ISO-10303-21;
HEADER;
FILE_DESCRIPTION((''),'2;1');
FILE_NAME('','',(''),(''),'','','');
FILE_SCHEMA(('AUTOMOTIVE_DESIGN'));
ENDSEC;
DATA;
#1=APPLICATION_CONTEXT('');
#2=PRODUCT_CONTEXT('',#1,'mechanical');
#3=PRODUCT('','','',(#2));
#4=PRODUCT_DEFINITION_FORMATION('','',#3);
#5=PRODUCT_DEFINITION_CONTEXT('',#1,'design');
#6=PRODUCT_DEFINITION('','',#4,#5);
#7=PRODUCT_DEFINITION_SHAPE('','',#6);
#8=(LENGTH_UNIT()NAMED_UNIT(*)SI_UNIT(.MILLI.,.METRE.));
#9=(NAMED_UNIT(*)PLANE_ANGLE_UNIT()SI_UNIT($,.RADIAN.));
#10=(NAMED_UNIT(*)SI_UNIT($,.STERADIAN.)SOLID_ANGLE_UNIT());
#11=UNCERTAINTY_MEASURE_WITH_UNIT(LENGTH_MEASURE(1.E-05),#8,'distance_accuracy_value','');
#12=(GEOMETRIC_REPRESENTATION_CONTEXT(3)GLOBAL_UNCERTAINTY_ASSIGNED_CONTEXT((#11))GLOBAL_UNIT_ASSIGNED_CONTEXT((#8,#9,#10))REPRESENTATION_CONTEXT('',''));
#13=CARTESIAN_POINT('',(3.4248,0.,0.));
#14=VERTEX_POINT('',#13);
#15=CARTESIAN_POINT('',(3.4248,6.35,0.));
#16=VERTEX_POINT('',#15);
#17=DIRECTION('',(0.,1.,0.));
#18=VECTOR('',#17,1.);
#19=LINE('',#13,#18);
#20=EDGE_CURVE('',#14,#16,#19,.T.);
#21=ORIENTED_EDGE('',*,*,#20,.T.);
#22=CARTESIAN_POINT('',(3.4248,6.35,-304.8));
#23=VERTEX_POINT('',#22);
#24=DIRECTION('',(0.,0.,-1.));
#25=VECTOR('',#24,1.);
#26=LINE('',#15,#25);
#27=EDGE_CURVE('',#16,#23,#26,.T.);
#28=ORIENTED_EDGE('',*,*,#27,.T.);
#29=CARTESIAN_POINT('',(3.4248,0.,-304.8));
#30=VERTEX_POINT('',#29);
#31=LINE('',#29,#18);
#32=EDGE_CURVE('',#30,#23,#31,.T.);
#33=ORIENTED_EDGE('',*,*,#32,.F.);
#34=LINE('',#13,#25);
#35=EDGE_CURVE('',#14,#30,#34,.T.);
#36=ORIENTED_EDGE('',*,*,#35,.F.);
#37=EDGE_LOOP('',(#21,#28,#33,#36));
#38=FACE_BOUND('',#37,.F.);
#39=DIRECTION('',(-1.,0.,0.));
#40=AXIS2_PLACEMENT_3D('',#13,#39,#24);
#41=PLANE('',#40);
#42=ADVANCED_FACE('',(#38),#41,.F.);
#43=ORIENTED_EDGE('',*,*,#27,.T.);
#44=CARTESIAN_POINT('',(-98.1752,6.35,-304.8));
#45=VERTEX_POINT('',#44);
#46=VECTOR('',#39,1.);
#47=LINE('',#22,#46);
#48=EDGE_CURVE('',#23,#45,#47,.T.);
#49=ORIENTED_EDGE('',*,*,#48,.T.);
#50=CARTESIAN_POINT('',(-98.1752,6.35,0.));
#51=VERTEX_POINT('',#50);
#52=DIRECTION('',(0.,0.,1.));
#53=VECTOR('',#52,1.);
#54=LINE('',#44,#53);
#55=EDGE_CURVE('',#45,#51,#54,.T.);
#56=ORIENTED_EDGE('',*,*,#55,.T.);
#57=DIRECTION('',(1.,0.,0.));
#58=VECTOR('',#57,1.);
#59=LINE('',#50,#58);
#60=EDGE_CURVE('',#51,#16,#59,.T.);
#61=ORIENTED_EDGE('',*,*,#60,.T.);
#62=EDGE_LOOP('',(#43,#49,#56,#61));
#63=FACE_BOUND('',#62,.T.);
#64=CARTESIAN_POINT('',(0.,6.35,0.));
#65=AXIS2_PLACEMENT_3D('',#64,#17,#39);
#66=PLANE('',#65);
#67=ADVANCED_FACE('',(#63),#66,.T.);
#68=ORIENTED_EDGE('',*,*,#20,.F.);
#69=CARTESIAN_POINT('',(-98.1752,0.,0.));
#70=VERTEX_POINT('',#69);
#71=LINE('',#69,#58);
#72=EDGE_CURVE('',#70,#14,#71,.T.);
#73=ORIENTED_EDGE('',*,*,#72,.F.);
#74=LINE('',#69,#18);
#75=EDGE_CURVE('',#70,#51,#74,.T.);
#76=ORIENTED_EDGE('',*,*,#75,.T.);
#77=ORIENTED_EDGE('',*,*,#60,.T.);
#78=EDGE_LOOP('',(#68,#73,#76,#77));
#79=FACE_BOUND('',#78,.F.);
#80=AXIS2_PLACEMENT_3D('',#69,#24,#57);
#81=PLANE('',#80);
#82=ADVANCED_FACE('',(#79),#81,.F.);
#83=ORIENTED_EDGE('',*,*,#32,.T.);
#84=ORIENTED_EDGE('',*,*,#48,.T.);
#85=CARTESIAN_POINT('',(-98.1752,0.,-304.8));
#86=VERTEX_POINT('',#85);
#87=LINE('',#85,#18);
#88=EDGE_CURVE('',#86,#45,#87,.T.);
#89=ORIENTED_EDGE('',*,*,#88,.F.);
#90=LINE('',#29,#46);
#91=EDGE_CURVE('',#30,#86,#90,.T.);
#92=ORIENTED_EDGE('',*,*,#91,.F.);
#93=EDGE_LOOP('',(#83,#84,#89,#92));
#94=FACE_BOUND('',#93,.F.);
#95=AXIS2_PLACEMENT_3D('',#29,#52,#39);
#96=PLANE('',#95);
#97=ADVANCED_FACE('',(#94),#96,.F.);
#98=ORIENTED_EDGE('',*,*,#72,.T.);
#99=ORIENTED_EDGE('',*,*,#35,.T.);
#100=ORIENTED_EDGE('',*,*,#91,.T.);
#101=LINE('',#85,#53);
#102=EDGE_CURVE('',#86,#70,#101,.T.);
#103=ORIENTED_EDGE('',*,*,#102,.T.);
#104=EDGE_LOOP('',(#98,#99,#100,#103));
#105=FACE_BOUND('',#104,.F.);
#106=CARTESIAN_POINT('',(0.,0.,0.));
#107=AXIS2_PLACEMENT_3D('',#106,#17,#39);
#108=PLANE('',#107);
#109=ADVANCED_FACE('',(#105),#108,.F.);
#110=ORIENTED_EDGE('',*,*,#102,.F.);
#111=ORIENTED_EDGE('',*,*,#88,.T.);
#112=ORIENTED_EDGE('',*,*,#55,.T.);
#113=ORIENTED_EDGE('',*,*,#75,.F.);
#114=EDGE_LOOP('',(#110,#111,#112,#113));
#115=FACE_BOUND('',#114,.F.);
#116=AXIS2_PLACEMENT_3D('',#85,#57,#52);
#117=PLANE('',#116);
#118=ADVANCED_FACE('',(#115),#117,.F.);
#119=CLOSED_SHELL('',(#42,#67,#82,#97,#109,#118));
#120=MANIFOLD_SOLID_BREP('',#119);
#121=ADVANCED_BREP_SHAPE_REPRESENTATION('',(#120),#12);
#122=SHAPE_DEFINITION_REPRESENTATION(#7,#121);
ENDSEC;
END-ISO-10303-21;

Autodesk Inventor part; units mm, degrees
ref_plane "YZ Plane" through (0, 0, 0) normal (1, 0, 0) x (0, 1, 0)
ref_plane "XZ Plane" through (0, 0, 0) normal (0, 1, 0) x (-1, 0, 0)
ref_plane "XY Plane" through (0, 0, 0) normal (0, 0, 1) x (1, 0, 0)
sketch "Sketch1" plane through (0, 0, 0) normal (0, 1, 0) x (-1, 0, 0)
  line L0 (-3.4248, 0) -> (-3.4248, -304.8)
  line L1 (-3.4248, -304.8) -> (98.1752, -304.8)
  line L2 (98.1752, -304.8) -> (98.1752, 0)
  line L3 (98.1752, 0) -> (-3.4248, 0)
  point P0 (0, 0)
  dimension "d0" = 304.8
  dimension "d1" = 101.6
extrude "Extrusion1" add sketch "Sketch1" along normal blind 6.35
properties part number "pl8"
